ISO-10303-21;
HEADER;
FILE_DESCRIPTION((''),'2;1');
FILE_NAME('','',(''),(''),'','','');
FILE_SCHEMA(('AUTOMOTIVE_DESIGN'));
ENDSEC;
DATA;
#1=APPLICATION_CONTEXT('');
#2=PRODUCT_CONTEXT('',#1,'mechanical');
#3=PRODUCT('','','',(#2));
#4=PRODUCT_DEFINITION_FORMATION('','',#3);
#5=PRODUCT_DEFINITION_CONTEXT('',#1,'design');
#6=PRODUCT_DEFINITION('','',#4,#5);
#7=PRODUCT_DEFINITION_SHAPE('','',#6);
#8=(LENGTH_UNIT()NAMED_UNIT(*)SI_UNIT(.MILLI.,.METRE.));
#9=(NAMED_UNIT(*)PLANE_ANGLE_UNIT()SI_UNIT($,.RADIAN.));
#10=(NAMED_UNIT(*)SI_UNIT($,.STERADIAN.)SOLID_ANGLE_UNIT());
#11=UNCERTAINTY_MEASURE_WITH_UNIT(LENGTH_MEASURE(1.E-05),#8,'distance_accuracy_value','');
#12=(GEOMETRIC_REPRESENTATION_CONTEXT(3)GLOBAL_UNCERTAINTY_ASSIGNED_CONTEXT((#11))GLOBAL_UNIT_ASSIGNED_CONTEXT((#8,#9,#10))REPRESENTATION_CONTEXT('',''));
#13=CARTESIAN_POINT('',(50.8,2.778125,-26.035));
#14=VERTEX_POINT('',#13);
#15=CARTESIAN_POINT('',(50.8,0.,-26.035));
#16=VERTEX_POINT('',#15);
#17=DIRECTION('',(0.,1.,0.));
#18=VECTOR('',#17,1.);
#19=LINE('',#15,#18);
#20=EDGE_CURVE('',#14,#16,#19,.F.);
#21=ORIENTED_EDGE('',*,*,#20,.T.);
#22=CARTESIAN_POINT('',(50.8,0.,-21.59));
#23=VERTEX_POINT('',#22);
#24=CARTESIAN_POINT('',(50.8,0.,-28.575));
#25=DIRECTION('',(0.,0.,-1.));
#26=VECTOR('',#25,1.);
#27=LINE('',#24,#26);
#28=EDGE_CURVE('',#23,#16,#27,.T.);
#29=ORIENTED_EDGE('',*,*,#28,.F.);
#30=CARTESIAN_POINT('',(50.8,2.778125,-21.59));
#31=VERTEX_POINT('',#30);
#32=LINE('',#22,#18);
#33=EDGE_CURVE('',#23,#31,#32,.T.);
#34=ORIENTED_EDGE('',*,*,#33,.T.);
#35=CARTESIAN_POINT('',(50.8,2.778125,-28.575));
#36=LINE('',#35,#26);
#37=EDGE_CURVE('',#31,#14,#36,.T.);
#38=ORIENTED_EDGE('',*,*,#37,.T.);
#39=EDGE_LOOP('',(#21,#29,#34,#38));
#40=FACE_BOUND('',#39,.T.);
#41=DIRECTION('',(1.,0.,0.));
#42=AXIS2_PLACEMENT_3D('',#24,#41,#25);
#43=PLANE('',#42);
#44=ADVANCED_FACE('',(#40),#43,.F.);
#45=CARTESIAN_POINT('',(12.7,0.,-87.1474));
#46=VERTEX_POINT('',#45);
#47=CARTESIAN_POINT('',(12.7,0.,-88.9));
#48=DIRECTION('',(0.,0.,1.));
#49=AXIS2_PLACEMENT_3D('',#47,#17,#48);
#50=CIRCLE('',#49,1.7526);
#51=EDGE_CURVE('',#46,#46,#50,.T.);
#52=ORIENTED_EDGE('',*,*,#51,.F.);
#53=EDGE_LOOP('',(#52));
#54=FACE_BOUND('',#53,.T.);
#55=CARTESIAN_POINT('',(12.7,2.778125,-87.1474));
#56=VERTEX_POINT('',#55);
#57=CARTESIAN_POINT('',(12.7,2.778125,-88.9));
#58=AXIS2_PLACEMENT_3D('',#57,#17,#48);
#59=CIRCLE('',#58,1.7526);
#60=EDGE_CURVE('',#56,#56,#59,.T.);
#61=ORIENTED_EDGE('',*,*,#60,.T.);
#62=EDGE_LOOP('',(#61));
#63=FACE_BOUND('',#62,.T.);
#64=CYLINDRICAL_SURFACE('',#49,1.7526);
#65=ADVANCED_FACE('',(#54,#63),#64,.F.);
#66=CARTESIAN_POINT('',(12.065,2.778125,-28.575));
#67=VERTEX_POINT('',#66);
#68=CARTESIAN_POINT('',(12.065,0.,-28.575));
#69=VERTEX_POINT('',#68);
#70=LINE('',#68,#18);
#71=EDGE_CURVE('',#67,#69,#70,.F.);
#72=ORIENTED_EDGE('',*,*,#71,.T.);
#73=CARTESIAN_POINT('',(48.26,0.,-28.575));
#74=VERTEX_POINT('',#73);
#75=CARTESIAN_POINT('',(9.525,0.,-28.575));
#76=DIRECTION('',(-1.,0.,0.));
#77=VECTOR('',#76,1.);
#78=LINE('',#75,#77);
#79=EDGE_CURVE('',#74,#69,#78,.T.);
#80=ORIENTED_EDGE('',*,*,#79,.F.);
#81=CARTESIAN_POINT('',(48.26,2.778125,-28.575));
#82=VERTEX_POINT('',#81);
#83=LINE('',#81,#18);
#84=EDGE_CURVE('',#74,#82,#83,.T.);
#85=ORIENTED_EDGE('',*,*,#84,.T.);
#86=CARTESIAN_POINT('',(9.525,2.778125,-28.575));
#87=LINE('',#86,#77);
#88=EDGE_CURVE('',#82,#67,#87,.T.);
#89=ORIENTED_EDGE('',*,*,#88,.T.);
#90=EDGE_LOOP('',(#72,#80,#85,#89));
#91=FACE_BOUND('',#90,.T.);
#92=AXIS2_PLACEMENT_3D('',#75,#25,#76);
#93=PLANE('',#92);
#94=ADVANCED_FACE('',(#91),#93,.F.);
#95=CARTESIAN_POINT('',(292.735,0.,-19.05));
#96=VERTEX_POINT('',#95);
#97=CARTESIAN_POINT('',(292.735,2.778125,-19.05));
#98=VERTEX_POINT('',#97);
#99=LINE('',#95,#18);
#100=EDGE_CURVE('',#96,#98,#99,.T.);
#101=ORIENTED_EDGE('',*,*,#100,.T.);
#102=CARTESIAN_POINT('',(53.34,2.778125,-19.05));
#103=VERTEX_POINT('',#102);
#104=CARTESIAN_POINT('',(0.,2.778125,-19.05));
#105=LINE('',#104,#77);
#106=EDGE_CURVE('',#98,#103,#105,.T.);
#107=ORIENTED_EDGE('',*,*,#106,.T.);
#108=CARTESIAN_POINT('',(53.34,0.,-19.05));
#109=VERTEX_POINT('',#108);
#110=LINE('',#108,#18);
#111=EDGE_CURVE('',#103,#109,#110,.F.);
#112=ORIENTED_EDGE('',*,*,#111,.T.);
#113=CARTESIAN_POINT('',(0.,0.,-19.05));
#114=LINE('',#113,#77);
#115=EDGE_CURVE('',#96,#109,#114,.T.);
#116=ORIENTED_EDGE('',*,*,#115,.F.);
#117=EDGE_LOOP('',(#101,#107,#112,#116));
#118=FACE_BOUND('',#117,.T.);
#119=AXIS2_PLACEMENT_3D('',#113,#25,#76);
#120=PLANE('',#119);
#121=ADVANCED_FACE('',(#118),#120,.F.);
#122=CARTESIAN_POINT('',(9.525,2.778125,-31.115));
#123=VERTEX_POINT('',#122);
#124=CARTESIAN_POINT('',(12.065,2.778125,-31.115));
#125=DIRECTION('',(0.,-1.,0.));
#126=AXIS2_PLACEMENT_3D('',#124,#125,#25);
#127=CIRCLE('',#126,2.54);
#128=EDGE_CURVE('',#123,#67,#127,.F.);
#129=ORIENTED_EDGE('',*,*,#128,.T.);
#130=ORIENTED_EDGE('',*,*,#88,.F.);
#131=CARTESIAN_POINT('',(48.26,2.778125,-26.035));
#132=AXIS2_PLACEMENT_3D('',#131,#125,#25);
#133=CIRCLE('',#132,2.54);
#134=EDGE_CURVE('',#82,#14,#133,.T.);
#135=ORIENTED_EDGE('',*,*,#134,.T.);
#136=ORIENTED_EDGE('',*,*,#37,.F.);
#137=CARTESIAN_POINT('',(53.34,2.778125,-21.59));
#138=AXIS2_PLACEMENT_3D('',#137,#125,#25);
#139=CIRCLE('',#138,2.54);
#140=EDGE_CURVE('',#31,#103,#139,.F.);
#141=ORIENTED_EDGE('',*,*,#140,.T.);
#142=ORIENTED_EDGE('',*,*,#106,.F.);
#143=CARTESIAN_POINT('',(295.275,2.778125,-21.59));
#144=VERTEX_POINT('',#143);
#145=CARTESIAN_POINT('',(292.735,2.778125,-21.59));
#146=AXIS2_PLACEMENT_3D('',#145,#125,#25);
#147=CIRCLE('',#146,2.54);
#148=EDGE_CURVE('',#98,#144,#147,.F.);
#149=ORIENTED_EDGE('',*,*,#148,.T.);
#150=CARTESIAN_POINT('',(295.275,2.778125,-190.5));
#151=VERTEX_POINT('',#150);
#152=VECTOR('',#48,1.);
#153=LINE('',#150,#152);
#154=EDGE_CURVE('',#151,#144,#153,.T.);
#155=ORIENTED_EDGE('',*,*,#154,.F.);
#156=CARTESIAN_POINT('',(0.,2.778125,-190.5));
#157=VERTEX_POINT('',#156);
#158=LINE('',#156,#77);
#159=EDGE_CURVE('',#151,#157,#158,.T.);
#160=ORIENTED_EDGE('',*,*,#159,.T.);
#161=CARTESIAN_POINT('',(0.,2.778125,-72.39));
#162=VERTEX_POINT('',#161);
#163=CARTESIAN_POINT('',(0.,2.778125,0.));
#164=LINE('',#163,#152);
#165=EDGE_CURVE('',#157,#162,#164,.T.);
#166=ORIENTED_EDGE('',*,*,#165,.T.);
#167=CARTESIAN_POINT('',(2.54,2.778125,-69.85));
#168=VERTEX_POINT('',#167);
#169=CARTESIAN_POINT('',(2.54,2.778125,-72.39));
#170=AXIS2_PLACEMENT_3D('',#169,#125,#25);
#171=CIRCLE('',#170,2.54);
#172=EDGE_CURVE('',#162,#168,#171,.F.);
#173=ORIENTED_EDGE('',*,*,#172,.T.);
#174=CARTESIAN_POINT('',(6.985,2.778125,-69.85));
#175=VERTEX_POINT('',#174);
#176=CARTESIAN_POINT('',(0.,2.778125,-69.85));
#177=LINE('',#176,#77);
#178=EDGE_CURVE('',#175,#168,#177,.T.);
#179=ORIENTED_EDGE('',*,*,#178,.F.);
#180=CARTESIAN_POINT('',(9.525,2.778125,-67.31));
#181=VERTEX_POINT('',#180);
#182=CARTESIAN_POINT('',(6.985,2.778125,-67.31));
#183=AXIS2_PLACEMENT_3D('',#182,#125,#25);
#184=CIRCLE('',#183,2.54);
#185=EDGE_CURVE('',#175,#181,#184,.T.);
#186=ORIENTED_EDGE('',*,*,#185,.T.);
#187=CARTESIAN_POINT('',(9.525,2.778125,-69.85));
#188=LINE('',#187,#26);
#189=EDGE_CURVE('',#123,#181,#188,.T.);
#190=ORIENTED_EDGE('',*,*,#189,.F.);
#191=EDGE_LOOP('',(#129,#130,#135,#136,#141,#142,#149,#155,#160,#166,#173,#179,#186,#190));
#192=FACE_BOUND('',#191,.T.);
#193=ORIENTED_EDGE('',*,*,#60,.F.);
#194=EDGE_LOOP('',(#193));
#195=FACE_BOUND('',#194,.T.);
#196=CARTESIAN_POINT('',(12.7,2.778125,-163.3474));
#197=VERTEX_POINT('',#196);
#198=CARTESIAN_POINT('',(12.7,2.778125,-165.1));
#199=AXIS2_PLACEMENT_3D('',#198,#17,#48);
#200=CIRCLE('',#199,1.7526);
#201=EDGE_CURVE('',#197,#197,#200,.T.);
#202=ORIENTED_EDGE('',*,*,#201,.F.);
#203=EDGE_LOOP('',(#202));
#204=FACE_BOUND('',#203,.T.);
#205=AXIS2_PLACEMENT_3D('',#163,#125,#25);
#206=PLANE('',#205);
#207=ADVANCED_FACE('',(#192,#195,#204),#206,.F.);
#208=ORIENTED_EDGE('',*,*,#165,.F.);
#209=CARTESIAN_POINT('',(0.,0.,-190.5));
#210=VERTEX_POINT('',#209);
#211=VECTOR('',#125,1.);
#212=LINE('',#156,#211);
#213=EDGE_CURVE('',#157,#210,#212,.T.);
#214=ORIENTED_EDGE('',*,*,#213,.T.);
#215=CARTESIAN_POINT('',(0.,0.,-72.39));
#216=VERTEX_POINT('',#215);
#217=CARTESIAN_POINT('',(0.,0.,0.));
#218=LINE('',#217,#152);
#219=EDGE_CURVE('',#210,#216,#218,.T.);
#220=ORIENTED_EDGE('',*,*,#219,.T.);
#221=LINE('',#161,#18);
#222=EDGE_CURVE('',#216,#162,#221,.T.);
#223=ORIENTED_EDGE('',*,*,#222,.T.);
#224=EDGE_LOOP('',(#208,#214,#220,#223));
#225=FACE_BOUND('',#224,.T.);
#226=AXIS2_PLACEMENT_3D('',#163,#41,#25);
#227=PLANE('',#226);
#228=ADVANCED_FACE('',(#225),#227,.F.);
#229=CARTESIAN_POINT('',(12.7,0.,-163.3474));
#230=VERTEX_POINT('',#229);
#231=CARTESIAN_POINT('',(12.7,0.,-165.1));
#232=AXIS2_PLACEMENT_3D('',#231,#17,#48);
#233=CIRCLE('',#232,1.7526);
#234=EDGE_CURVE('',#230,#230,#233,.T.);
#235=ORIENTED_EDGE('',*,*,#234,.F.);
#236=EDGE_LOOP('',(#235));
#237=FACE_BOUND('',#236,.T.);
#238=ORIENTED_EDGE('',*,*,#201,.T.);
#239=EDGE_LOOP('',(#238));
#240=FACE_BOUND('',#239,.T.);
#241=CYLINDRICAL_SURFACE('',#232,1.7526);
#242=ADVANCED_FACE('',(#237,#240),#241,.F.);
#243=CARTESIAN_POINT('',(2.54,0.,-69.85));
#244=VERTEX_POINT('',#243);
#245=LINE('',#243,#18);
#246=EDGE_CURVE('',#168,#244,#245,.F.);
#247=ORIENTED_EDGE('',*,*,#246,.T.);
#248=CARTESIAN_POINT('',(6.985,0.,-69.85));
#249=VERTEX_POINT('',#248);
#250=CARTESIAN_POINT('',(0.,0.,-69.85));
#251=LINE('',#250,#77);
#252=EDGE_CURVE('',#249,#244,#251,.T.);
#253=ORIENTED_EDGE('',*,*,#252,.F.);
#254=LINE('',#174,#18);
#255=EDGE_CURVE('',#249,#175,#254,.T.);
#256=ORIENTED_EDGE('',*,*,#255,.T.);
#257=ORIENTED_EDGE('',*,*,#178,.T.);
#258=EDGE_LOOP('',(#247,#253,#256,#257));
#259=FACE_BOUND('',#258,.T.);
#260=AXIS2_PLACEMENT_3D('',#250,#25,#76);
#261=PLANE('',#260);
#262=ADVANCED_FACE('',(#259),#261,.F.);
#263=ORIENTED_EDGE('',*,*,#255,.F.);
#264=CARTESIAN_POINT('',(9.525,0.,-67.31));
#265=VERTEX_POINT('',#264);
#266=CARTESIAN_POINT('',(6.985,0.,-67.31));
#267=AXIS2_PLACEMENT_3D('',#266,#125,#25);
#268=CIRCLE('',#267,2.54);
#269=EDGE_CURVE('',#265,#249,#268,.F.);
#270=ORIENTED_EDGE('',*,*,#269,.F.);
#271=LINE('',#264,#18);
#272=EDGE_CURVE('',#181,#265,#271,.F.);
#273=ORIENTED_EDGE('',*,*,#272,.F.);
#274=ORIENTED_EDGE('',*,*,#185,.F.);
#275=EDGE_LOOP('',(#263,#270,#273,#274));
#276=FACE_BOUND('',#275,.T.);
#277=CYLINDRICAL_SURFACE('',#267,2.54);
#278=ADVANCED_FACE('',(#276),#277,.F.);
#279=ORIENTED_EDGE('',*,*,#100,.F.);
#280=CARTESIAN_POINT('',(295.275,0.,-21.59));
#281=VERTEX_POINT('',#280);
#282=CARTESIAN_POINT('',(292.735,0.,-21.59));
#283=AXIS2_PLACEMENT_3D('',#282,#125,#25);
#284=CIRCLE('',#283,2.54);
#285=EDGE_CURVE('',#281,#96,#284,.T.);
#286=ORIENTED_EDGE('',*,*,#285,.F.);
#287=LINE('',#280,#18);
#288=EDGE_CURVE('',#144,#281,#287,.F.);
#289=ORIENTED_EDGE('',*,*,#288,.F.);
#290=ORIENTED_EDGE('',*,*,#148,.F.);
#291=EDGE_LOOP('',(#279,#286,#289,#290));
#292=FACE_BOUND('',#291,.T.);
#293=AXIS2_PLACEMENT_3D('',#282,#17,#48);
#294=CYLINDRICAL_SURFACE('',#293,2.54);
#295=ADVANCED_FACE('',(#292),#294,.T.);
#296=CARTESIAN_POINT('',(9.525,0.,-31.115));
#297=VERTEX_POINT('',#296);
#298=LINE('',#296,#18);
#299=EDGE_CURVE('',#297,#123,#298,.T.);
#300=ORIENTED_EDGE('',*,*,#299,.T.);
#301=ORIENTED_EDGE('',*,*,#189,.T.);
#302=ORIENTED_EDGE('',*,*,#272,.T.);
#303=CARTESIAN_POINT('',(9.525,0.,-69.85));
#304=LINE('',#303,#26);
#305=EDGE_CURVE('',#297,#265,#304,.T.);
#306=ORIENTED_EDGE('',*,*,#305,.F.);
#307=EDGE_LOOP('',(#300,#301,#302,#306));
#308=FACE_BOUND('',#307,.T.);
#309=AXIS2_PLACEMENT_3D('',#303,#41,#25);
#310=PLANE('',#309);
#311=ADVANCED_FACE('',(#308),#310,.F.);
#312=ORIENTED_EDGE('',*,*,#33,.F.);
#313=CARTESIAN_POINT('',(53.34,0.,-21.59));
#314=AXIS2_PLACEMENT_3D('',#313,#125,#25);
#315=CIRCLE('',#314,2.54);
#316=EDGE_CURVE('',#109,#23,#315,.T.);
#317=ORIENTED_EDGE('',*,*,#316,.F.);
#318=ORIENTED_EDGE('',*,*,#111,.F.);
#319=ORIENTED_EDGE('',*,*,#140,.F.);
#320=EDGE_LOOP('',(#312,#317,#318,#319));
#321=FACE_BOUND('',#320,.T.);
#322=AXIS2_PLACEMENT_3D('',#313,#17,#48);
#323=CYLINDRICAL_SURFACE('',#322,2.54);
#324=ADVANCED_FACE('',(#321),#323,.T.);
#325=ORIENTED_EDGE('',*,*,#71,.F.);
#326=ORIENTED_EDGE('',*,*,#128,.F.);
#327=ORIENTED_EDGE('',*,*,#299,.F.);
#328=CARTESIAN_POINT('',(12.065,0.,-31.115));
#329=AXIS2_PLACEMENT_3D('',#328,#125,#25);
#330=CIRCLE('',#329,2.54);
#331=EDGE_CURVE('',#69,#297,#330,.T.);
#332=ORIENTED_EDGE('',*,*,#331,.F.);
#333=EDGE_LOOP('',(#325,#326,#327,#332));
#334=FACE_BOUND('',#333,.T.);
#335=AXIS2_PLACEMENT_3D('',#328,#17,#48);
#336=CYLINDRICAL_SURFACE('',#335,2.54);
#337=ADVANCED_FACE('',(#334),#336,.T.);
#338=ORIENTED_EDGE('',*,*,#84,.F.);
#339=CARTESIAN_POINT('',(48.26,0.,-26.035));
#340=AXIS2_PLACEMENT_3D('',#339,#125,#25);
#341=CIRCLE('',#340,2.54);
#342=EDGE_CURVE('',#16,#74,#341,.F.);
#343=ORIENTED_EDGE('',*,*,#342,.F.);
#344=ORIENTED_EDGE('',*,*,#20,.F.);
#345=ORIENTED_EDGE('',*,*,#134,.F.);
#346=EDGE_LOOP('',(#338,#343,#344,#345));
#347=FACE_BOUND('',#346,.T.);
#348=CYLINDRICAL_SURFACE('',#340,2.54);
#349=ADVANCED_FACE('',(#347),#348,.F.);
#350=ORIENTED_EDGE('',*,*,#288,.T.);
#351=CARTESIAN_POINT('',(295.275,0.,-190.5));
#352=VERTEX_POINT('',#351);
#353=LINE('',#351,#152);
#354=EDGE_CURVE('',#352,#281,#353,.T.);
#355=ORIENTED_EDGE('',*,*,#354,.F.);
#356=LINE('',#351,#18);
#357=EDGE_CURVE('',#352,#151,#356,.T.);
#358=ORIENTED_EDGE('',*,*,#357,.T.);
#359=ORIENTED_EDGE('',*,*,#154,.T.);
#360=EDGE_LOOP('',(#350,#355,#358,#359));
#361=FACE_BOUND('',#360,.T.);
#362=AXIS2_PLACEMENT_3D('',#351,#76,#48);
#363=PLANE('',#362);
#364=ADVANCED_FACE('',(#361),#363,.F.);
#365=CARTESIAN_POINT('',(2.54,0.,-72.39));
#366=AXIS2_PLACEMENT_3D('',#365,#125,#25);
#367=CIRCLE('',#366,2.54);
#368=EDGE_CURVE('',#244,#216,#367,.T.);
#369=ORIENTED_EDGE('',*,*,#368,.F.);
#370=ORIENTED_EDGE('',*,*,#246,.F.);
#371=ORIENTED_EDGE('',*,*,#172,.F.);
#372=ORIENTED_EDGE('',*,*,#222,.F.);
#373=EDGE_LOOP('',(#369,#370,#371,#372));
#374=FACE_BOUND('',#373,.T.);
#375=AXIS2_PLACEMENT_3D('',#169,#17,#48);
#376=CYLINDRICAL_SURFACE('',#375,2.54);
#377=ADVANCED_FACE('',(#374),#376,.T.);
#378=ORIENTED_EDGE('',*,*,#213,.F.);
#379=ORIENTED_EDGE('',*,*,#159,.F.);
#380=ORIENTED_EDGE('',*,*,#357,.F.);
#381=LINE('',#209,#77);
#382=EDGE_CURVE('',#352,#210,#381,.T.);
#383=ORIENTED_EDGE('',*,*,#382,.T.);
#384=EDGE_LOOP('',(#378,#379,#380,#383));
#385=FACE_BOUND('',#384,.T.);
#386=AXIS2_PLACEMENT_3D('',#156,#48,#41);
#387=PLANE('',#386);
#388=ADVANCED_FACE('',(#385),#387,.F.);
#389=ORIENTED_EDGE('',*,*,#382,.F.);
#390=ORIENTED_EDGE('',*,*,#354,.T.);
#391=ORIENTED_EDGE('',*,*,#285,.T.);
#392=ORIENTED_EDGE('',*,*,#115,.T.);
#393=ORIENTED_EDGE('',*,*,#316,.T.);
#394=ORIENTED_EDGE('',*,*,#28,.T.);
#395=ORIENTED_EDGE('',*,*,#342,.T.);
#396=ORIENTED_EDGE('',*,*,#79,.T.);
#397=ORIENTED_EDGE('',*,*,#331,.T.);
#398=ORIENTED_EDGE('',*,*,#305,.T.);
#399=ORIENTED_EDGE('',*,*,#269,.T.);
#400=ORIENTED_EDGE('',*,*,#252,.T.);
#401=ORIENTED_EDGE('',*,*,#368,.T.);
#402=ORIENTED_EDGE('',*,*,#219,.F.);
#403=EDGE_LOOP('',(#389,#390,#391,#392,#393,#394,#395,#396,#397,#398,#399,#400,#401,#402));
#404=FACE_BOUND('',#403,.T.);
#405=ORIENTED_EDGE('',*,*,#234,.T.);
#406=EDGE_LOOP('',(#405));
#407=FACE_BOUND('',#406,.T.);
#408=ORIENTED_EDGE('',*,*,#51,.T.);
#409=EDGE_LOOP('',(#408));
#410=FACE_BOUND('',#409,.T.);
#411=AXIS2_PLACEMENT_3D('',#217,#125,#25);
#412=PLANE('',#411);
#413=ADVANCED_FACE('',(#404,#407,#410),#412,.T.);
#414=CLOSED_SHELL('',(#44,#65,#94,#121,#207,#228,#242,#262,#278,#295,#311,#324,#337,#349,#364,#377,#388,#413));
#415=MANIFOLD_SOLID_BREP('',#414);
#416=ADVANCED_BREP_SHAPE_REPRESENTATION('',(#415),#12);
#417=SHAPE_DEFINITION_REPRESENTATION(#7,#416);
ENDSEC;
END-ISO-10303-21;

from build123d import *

# Parameters (mm, degrees)
SKETCH1_W           = 304.8
SKETCH1_H           = 190.5
BOSS_EXTRUDE1_DEPTH = 2.778125
SKETCH2_W           = 304.8
SKETCH2_H           = 19.05
CUT_EXTRUDE1_DEPTH  = 3.778125
CUT_EXTRUDE2_DEPTH  = 3.778125
SKETCH4_R           = 1.7526
CUT_EXTRUDE3_DEPTH  = 3.778125
SKETCH5_W           = 9.525
SKETCH5_H           = 171.45
CUT_EXTRUDE4_DEPTH  = 3.778125
FILLET1_R           = 2.54


with BuildPart() as part:
    # Sketch1 → Boss-Extrude1 (new body)
    with BuildSketch(Plane(origin=(0, 0, 0), x_dir=(1, 0, 0), z_dir=(0, 1, 0))):
        with Locations((152.4, 95.25)):
            Rectangle(SKETCH1_W, SKETCH1_H)
    extrude(amount=BOSS_EXTRUDE1_DEPTH)

    # Sketch2 → Cut-Extrude1 (cut, through all)
    with BuildSketch(Plane(origin=(0, 2.778125, 0), x_dir=(1, 0, 0), z_dir=(0, 1, 0))):
        with Locations((152.4, 9.525)):
            Rectangle(SKETCH2_W, SKETCH2_H)
    extrude(amount=-CUT_EXTRUDE1_DEPTH, mode=Mode.SUBTRACT)

    # Sketch3 → Cut-Extrude2 (cut, through all)
    with BuildSketch(Plane(origin=(0, 2.778125, 0), x_dir=(1, 0, 0), z_dir=(0, 1, 0))):
        Polygon((0, 19.05), (0, 69.85), (9.525, 69.85), (9.525, 28.575), (50.8, 28.575), (50.8, 19.05), align=None)
    extrude(amount=-CUT_EXTRUDE2_DEPTH, mode=Mode.SUBTRACT)

    # Sketch4 → Cut-Extrude3 (cut, through all)
    with BuildSketch(Plane(origin=(0, 2.778125, 0), x_dir=(1, 0, 0), z_dir=(0, 1, 0))):
        with Locations((12.7, 165.1)):
            Circle(SKETCH4_R)
        with Locations((12.7, 88.9)):
            Circle(SKETCH4_R)
    extrude(amount=-CUT_EXTRUDE3_DEPTH, mode=Mode.SUBTRACT)

    # Sketch5 → Cut-Extrude4 (cut, through all)
    with BuildSketch(Plane(origin=(0, 2.778125, 0), x_dir=(1, 0, 0), z_dir=(0, 1, 0))):
        with Locations((300.0375, 104.775)):
            Rectangle(SKETCH5_W, SKETCH5_H)
    extrude(amount=-CUT_EXTRUDE4_DEPTH, mode=Mode.SUBTRACT)

    # Fillet1
    fillet1_edges = [part.edges().sort_by_distance(p)[0] for p in [
        (50.8, 1.3890625, -19.05),
        (0, 1.3890625, -69.85),
        (9.525, 1.3890625, -69.85),
        (9.525, 1.3890625, -28.575),
        (50.8, 1.3890625, -28.575),
        (295.275, 1.3890625, -19.05),
    ]]
    fillet(fillet1_edges, radius=FILLET1_R)


solid = part.part
